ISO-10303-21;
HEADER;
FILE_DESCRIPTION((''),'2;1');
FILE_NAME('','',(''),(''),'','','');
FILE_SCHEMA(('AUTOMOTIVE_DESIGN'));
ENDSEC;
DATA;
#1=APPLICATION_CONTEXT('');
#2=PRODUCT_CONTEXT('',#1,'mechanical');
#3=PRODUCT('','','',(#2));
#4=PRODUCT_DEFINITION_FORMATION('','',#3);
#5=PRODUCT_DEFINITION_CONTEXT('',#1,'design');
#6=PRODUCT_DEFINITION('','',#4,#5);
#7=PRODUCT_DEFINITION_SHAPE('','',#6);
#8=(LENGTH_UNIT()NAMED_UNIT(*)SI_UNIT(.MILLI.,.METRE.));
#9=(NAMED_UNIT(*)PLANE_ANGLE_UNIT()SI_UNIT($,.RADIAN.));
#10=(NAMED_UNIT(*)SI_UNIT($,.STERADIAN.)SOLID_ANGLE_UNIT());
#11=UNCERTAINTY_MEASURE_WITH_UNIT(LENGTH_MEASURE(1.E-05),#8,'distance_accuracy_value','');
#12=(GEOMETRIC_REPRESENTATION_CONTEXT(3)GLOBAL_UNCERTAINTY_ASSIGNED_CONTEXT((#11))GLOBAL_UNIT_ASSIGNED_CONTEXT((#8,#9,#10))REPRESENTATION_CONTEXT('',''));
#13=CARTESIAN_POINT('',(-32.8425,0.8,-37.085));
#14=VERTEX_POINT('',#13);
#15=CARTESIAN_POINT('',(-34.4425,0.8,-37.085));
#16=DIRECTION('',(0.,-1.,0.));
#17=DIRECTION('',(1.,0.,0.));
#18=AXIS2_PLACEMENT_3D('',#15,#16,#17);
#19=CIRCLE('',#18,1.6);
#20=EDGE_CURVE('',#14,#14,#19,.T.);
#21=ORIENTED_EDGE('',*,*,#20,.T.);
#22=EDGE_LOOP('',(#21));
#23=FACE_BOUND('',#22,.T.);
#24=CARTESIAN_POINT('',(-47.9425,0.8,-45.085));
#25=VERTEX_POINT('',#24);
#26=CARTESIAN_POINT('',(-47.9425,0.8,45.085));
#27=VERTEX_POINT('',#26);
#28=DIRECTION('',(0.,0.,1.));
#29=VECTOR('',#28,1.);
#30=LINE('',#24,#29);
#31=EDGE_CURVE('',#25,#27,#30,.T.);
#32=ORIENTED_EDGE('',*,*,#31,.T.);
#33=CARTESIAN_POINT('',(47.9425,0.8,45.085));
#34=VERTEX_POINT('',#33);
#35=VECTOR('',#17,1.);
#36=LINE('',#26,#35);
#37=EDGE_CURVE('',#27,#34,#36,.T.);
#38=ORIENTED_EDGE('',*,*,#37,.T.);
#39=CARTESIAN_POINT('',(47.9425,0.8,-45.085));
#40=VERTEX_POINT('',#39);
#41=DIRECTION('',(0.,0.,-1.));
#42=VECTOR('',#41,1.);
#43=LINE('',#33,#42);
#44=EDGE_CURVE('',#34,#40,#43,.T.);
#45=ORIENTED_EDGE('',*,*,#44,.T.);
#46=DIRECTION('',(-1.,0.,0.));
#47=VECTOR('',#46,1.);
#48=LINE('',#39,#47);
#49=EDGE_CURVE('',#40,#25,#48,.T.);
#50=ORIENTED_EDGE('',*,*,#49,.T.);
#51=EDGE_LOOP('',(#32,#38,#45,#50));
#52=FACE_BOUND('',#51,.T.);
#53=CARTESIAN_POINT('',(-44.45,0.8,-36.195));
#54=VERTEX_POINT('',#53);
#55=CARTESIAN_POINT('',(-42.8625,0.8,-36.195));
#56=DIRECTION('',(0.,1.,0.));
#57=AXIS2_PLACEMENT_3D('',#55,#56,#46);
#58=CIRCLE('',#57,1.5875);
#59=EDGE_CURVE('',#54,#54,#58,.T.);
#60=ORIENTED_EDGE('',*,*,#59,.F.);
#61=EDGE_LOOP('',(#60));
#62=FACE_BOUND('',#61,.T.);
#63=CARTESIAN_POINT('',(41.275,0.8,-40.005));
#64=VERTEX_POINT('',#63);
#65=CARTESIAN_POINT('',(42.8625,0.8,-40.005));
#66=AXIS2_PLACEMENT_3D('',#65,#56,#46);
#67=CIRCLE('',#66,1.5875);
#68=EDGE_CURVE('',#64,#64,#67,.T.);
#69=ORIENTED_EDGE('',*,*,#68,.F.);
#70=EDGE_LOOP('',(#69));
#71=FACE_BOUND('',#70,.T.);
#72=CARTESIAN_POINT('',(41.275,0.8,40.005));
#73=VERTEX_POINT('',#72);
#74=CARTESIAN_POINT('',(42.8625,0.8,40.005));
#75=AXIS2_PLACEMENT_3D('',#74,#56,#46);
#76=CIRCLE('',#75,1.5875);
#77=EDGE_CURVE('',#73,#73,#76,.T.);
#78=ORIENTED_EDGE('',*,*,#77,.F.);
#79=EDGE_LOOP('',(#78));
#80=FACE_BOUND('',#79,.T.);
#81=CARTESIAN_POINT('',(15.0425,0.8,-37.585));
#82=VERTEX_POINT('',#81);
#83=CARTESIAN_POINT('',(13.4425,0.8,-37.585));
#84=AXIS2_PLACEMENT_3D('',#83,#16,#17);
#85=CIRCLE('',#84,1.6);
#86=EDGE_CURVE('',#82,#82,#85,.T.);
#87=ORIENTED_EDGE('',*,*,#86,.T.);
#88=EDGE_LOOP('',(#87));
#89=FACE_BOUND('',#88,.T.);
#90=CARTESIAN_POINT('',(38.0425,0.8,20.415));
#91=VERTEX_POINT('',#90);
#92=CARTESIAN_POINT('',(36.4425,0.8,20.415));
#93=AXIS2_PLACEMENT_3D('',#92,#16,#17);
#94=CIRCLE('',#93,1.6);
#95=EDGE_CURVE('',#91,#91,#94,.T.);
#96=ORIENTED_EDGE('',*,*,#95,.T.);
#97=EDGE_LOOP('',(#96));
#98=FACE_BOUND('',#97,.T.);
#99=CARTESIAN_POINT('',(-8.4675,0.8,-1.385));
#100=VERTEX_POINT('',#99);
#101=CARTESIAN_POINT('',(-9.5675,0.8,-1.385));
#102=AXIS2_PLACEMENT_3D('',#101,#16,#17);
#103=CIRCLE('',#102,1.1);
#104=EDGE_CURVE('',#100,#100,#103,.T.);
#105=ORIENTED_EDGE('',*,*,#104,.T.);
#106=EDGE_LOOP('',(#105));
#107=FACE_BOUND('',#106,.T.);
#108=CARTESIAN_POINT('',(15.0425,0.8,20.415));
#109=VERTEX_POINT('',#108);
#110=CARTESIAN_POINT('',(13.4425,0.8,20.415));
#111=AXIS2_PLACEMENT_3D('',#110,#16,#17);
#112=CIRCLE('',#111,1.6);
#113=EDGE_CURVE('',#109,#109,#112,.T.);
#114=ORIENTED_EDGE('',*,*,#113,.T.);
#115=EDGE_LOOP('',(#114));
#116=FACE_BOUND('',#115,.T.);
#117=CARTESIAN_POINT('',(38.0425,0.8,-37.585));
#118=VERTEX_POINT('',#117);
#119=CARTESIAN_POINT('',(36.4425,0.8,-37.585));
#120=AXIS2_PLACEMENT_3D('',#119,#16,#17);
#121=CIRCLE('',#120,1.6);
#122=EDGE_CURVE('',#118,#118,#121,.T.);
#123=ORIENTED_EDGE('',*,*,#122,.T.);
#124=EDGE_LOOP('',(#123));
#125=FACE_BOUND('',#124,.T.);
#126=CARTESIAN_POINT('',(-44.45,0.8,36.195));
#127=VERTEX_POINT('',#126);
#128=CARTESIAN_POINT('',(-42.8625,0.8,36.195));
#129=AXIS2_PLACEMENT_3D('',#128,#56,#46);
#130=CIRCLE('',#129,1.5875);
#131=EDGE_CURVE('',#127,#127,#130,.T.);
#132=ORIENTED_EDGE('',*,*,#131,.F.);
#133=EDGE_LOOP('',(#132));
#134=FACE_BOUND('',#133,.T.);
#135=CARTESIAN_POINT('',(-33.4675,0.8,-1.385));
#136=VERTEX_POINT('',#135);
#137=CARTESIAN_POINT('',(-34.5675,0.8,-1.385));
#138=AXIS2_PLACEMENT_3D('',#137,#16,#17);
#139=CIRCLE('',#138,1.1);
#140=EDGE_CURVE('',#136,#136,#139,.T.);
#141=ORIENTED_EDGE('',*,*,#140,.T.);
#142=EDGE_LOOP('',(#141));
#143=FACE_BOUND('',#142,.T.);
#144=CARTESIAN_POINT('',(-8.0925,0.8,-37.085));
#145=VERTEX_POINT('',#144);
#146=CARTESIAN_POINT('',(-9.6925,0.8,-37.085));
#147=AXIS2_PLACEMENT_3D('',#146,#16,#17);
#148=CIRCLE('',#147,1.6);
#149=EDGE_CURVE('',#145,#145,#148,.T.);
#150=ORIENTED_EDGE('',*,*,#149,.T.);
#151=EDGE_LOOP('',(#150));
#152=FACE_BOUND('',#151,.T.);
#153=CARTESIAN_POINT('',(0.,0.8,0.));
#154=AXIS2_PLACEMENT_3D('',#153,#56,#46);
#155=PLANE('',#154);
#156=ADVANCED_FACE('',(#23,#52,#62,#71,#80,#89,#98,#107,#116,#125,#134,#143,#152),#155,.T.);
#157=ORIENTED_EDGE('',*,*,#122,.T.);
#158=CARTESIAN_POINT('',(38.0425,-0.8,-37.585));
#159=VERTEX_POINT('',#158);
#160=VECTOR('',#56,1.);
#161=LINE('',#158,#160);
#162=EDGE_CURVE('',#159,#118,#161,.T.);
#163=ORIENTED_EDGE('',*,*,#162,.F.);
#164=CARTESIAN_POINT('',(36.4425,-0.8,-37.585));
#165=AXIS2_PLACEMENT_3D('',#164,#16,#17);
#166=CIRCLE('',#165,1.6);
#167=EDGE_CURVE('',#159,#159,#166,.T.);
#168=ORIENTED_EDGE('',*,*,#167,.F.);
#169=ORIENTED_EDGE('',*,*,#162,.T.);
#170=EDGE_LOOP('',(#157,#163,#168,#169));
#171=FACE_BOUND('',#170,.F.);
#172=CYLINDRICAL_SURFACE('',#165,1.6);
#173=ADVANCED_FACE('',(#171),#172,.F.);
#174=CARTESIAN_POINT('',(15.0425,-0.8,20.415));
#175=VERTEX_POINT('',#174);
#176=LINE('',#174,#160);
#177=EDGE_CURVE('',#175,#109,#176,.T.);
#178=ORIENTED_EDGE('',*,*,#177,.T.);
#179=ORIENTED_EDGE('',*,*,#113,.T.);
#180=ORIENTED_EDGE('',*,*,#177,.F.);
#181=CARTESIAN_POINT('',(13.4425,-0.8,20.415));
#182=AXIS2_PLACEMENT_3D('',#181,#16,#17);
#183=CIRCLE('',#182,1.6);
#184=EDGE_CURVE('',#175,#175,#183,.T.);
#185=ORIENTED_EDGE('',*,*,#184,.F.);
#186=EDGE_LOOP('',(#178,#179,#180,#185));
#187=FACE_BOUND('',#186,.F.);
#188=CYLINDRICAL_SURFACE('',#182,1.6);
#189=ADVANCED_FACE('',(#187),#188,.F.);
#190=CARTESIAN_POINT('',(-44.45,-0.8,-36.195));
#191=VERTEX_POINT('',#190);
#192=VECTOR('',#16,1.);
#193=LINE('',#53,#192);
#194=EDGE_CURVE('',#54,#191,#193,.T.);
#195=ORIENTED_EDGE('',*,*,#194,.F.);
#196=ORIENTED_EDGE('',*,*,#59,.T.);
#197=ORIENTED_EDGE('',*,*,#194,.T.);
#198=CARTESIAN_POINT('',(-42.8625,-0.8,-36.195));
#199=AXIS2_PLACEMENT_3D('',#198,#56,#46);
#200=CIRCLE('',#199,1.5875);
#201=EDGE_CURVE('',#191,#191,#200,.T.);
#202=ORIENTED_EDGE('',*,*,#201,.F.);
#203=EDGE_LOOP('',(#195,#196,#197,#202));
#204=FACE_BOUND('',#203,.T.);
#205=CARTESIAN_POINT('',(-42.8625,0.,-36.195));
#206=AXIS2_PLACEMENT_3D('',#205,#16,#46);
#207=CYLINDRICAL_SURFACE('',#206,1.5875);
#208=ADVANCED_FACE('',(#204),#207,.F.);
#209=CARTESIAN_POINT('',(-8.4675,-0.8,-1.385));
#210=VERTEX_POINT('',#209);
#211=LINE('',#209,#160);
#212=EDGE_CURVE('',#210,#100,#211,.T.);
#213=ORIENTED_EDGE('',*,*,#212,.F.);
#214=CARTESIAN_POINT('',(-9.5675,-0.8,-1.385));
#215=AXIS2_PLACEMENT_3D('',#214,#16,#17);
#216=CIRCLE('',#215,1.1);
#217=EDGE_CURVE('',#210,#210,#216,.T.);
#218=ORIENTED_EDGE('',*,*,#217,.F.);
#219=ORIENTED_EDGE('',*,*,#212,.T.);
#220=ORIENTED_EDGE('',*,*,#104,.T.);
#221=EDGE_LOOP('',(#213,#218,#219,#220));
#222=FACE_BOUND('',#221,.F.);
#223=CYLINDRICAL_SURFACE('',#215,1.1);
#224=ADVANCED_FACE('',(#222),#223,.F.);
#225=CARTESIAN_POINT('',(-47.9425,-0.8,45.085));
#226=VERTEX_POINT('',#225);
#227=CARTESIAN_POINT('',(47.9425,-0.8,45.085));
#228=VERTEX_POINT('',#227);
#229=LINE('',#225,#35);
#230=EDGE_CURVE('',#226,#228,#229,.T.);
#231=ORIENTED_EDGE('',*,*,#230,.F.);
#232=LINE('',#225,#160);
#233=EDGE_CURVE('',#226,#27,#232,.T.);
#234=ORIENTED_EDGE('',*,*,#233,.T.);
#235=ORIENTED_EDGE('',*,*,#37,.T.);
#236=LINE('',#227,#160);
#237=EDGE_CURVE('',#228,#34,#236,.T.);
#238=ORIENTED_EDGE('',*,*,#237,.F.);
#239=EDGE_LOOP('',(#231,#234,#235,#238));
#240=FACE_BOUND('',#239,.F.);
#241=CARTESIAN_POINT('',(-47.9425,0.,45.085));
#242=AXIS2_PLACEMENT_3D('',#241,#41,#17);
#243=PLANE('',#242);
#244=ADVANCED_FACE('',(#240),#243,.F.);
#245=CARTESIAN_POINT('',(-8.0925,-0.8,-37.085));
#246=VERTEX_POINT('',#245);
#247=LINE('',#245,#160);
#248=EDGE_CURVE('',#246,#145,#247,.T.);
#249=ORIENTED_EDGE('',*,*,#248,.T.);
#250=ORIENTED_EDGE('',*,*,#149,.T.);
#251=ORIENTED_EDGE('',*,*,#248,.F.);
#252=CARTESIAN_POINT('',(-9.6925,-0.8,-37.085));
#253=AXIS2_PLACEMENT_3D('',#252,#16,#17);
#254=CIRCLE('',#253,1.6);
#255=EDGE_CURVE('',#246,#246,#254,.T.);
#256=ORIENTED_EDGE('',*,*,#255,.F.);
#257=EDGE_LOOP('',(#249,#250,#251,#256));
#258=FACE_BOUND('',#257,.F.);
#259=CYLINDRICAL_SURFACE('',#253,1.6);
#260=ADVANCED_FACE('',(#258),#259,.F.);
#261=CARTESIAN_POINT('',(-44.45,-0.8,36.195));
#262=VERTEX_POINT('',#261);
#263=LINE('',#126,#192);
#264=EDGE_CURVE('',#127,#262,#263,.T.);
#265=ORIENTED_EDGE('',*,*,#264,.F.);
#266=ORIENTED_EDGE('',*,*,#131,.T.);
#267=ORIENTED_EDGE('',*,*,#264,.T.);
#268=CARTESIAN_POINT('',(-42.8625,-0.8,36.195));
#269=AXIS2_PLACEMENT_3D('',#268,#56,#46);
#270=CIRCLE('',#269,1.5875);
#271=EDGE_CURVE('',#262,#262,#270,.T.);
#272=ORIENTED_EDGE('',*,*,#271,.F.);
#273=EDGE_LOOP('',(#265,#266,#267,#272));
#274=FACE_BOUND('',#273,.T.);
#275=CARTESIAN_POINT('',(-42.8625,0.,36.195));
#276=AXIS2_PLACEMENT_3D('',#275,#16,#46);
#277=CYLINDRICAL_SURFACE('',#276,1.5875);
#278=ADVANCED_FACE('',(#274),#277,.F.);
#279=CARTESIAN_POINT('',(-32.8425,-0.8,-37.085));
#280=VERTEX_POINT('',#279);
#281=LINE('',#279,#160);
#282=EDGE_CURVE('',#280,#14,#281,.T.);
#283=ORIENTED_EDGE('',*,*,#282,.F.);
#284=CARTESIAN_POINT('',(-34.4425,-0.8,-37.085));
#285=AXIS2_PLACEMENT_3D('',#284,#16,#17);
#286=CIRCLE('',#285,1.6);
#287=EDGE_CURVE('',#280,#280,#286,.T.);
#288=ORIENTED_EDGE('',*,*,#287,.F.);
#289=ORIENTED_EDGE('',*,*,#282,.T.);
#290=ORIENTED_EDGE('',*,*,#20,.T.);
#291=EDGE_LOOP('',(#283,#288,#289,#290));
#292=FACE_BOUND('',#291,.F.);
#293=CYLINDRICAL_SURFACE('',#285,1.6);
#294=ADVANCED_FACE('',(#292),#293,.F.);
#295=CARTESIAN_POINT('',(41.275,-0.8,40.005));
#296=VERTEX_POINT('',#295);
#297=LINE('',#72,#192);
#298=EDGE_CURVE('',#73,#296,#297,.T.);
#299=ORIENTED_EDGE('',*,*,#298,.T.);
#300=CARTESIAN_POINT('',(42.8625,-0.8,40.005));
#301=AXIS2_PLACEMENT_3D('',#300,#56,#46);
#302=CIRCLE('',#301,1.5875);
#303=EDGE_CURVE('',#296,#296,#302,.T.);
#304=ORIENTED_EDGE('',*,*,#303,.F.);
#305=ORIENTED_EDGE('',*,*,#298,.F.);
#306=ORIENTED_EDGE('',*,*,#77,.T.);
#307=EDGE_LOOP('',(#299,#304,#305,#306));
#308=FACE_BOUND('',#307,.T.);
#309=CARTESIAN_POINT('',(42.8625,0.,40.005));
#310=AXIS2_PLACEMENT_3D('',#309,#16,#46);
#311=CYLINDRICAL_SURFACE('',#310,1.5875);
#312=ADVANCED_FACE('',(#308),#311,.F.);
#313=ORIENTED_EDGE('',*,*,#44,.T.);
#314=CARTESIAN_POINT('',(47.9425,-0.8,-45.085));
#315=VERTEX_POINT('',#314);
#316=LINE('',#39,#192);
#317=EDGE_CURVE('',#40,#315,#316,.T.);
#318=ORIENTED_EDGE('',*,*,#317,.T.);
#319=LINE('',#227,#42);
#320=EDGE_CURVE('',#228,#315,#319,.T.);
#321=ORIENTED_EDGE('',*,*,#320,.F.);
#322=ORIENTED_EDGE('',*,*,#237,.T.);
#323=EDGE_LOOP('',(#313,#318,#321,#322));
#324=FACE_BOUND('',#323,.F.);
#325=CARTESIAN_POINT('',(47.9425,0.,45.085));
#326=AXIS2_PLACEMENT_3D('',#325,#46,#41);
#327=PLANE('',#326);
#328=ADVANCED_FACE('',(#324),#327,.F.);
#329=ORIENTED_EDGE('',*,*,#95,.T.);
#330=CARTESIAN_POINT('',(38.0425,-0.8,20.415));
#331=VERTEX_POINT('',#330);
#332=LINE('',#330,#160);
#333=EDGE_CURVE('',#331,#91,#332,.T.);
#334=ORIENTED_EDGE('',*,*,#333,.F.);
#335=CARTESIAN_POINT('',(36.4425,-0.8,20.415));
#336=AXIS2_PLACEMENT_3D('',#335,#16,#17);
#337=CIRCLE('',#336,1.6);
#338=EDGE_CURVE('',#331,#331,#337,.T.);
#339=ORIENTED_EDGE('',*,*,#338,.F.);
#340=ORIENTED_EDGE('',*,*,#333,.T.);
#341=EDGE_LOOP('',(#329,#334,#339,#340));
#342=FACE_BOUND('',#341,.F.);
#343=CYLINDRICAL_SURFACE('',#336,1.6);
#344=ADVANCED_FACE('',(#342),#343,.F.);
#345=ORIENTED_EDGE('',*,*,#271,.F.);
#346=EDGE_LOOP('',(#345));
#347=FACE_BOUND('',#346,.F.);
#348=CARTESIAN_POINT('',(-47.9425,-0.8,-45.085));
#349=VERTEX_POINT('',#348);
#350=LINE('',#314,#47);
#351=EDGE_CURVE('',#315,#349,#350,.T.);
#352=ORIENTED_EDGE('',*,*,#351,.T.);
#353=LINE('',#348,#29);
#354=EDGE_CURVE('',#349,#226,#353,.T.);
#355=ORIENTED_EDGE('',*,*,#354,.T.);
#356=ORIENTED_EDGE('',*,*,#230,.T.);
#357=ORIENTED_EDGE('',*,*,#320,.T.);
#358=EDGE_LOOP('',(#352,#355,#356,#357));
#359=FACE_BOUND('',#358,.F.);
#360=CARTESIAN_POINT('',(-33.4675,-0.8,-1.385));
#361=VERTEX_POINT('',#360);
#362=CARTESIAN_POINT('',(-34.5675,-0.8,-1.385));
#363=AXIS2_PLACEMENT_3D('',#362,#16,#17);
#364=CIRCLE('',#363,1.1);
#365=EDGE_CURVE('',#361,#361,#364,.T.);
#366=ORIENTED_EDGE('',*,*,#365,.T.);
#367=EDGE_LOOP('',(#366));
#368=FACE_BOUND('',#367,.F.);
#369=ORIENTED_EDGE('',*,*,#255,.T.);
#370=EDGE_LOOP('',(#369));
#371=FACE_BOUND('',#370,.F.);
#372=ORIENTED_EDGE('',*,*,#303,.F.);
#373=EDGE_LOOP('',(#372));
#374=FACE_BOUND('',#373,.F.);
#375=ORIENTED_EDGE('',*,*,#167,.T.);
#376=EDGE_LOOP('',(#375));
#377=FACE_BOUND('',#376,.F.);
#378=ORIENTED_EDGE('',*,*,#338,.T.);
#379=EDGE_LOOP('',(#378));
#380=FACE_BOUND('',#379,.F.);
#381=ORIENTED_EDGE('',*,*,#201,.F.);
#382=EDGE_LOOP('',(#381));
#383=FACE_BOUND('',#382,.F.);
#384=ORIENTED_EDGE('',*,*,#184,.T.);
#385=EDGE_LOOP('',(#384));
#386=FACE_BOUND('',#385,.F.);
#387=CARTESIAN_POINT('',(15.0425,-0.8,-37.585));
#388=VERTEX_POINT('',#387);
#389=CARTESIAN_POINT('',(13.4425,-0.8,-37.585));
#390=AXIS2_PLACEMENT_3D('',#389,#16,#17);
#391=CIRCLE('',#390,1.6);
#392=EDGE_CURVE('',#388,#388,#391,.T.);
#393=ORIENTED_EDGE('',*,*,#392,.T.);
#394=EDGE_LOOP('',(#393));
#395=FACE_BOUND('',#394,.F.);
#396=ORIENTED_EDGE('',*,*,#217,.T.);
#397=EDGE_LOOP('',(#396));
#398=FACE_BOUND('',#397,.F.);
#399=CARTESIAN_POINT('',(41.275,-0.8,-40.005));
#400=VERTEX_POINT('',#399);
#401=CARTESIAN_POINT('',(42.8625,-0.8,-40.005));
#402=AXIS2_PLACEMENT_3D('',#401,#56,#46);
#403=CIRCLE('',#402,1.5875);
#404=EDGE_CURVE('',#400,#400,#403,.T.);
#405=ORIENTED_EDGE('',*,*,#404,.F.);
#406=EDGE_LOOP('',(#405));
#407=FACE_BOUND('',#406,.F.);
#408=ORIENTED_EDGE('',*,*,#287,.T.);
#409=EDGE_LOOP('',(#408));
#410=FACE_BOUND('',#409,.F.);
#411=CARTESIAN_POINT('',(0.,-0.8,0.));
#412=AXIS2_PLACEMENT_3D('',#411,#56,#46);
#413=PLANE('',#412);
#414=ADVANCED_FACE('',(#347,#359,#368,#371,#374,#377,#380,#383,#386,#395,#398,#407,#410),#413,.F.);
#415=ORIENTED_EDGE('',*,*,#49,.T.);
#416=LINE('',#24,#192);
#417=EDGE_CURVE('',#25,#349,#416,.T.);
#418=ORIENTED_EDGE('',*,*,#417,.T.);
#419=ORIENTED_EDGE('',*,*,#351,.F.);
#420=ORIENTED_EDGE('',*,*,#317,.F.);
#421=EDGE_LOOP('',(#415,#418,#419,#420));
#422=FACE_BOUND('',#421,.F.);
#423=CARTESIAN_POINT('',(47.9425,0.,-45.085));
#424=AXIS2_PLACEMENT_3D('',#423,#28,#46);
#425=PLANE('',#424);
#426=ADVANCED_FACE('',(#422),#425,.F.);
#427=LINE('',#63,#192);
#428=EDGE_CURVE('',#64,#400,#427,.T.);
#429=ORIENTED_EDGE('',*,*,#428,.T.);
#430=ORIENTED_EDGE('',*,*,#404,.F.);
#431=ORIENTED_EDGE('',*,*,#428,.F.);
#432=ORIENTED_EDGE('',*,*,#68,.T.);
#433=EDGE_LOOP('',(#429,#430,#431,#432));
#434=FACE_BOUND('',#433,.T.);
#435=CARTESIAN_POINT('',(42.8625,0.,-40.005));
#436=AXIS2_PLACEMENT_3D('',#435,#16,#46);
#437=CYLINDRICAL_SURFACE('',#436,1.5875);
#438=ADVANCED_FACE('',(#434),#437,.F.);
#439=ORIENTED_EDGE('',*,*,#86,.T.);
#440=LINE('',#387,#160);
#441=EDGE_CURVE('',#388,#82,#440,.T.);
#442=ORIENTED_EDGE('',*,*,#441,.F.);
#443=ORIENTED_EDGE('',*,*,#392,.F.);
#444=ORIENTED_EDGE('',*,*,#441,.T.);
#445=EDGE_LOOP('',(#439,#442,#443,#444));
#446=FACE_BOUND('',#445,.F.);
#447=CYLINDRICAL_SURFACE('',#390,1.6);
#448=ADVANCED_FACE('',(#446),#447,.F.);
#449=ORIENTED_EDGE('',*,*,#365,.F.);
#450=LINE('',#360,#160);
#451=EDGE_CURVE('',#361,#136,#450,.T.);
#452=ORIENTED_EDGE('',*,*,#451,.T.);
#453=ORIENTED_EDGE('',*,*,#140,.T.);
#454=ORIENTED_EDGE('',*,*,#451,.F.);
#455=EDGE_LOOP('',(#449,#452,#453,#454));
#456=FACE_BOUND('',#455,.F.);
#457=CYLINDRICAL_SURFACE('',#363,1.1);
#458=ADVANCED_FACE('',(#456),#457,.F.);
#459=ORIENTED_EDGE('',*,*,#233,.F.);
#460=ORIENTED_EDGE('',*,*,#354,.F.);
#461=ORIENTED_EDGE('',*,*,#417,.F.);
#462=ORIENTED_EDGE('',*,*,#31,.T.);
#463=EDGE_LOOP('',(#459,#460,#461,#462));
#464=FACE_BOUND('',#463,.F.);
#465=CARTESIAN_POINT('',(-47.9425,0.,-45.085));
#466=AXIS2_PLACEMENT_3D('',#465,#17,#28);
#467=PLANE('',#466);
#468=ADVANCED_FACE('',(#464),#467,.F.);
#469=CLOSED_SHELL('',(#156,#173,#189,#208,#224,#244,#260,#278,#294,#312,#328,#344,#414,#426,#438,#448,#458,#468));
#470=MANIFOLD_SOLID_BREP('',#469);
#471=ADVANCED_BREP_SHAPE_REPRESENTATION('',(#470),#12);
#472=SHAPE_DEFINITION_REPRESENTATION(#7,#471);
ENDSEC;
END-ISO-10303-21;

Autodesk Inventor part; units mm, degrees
ref_plane "YZ Plane" through (0, 0, 0) normal (1, 0, 0) x (0, 1, 0)
ref_plane "XZ Plane" through (0, 0, 0) normal (0, 1, 0) x (-1, 0, 0)
ref_plane "XY Plane" through (0, 0, 0) normal (0, 0, 1) x (1, 0, 0)
sketch "Sketch1" plane through (0, 0, 0) normal (0, 1, 0) x (-1, 0, 0)
  line L0 (47.9425, 45.085) -> (-47.9425, 45.085)
  line L1 (-47.9425, 45.085) -> (-47.9425, -45.085)
  line L2 (-47.9425, -45.085) -> (47.9425, -45.085)
  line L3 (47.9425, -45.085) -> (47.9425, 45.085)
  line L4 (47.9425, 45.085) -> (-47.9425, -45.085) construction
  line L5 (-47.9425, 45.085) -> (47.9425, -45.085) construction
  circle A0 centre (42.8625, 36.195) radius 1.5875
  circle A1 centre (42.8625, -36.195) radius 1.5875
  circle A2 centre (-42.8625, -40.005) radius 1.5875
  circle A3 centre (-42.8625, 40.005) radius 1.5875
  point P0 (0, 0)
  dimension "d0" = 90.17
  dimension "d1" = 95.885
  dimension "d2" = 5.08
  dimension "d3" = 5.08
  dimension "d4" = 5.08
  dimension "d5" = 8.89
  dimension "d6" = 8.89
  dimension "d7" = 5.08
  dimension "d8" = 3.175
  dimension "d9" = 3.175
  dimension "d10" = 3.175
  dimension "d11" = 3.175
extrude "Extrusion1" add sketch "Sketch1" along normal mid plane 1.6
sketch "Sketch2" plane through (0, -0.8, 0) normal (0, -1, 0) x (1, 0, 0)
  circle A0 centre (36.4425, 20.415) radius 1.6
  circle A1 centre (13.4425, 20.415) radius 1.6
  circle A2 centre (36.4425, -37.585) radius 1.6
  circle A3 centre (13.4425, -37.585) radius 1.6
  circle A4 centre (-34.4425, -37.085) radius 1.6
  circle A5 centre (-9.6925, -37.085) radius 1.6
  circle A6 centre (-34.5675, -1.385) radius 1.1
  circle A7 centre (-9.5675, -1.385) radius 1.1
  point P0 (0, 0)
  dimension "d14" = 9.5675
  dimension "d15" = 34.5675
  dimension "d16" = 9.6925
  dimension "d17" = 34.4425
  dimension "d18" = 1.385
  dimension "d19" = 2.2
  dimension "d20" = 1.385
  dimension "d21" = 37.085
  dimension "d22" = 37.085
  dimension "d23" = 33.0002
  dimension "d24" = 3.2
  dimension "d25" = 3.2
  dimension "d26" = 20.415
  dimension "d28" = 13.4425
  dimension "d29" = 36.4425
  dimension "d30" = 37.585
  dimension "d31" = 20.415
  dimension "d32" = 19.8
  dimension "d34" = 58
extrude "Extrusion2" cut sketch "Sketch2" against normal up to surface (1.6 mm away)
equation "\"d7\" = d4"
equation "\"d9\" = d8"
equation "\"d10\" = d8"
equation "\"d11\" = d8"
properties part number "PC 104 size and hole model_Hermes_Top_Mount_V1" material "FR-4"
